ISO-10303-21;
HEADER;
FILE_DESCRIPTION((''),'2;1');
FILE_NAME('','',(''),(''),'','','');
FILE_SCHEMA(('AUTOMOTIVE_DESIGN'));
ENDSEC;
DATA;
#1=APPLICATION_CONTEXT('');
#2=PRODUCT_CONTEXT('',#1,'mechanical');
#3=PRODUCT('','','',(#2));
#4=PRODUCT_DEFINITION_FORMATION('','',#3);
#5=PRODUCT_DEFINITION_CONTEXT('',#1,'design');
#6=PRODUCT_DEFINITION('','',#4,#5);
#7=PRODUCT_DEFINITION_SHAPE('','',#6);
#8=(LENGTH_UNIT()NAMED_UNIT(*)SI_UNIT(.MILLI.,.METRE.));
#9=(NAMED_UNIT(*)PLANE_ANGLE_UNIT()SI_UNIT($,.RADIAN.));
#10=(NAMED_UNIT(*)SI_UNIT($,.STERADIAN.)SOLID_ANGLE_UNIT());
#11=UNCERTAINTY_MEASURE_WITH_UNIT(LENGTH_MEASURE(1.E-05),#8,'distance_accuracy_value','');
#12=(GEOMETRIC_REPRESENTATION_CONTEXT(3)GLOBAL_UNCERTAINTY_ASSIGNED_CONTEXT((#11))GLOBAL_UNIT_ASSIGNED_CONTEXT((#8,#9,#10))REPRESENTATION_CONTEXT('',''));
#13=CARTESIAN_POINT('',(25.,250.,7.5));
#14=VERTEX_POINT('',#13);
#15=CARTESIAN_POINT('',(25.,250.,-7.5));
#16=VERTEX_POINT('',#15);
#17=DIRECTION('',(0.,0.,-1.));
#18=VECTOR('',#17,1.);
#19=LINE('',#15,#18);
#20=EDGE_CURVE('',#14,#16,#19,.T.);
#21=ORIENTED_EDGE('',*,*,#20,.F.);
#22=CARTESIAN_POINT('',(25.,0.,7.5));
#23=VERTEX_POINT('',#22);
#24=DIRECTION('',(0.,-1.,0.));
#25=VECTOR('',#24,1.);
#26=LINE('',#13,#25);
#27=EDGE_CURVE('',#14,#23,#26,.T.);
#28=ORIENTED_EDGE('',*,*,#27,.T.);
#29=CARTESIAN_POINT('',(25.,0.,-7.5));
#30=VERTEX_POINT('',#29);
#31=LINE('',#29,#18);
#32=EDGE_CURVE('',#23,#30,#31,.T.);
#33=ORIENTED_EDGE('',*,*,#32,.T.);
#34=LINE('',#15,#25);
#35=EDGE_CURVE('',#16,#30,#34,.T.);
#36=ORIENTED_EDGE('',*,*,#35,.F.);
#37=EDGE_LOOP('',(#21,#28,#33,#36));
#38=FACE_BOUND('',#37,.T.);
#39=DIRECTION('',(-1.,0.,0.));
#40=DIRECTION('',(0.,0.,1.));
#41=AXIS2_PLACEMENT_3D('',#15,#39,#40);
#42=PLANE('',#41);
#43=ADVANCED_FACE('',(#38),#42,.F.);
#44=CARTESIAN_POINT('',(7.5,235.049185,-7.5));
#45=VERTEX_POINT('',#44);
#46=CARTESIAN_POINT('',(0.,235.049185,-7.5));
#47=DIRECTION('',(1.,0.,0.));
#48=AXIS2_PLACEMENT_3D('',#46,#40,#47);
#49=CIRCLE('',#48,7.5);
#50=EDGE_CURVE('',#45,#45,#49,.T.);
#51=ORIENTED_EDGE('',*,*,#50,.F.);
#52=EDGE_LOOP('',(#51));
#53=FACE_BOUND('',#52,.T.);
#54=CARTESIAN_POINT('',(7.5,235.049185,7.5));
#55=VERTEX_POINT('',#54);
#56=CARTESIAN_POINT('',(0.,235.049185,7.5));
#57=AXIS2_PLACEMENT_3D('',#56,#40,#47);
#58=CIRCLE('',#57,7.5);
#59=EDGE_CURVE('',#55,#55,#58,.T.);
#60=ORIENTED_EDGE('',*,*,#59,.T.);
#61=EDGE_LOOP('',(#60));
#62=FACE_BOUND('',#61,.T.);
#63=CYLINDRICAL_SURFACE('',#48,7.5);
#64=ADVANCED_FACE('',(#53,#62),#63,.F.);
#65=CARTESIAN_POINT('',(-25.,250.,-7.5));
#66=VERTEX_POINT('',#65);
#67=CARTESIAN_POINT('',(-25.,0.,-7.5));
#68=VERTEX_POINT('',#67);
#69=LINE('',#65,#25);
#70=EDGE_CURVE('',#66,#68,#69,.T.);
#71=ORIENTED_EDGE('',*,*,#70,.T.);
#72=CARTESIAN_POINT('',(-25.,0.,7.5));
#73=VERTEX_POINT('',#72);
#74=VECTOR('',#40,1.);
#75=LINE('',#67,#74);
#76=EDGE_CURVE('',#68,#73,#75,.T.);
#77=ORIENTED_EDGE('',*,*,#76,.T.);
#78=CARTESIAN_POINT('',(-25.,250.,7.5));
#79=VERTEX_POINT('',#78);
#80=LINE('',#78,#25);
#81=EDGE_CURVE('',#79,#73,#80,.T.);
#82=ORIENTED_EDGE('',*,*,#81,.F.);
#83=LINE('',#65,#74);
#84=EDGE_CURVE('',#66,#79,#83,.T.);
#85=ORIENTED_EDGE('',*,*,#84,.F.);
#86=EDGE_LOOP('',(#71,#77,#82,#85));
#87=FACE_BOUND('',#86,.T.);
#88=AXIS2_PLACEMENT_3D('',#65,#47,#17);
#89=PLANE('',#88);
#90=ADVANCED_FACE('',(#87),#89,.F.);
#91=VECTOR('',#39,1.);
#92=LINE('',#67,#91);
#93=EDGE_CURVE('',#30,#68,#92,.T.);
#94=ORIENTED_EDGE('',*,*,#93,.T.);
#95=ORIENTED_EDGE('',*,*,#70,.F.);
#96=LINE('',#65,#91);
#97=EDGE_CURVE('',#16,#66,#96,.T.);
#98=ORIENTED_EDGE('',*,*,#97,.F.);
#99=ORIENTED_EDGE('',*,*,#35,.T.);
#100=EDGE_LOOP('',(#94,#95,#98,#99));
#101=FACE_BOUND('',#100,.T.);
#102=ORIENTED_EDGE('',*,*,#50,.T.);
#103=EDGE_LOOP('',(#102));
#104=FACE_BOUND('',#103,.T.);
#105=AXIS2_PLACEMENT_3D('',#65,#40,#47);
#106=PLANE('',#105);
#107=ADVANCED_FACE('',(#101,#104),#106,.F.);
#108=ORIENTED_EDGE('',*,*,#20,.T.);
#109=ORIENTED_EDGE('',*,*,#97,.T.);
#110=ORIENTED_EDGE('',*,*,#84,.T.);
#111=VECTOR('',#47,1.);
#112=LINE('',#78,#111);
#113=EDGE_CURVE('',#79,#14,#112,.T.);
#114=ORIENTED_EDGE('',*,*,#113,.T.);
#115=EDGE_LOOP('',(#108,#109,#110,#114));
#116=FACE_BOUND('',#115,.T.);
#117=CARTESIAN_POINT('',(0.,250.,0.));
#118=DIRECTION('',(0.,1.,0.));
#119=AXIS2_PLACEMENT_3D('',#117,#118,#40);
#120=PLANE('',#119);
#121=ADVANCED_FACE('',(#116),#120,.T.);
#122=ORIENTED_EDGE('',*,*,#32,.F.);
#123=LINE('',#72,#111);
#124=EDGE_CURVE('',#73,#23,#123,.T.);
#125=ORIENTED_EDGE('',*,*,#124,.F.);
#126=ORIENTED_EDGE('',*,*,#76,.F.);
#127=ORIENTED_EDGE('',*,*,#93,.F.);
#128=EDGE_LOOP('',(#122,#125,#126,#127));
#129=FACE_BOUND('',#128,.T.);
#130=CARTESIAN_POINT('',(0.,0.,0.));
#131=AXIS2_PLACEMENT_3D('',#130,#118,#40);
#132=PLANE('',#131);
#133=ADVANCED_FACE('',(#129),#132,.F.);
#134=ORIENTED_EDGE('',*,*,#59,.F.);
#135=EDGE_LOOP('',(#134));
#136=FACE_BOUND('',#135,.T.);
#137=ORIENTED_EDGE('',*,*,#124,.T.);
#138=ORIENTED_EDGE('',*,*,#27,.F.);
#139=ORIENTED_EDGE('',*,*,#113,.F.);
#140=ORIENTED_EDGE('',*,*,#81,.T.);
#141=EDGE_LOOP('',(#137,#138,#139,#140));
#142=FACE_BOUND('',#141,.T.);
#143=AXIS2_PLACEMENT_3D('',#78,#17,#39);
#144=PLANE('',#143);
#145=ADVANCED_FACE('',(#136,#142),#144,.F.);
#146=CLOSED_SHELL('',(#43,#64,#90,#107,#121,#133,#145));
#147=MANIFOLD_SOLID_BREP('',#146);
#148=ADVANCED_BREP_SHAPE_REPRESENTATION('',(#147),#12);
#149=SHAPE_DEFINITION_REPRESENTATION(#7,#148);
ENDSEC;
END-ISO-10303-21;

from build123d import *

# Parameters (mm, degrees)
SKETCH1_W           = 50
SKETCH1_H           = 15
BOSS_EXTRUDE1_DEPTH = 250
SKETCH2_R           = 7.5
CUT_EXTRUDE2_DEPTH  = 16


with BuildPart() as part:
    # Sketch1 → Boss-Extrude1 (new body)
    with BuildSketch(Plane(origin=(0, 0, 0), x_dir=(1, 0, 0), z_dir=(0, 1, 0))):
        Rectangle(SKETCH1_W, SKETCH1_H)
    extrude(amount=BOSS_EXTRUDE1_DEPTH)

    # Sketch2 → Cut-Extrude2 (cut, through all)
    with BuildSketch(Plane.XY.offset(7.5)):
        with Locations((0, 235.049185274)):
            Circle(SKETCH2_R)
    extrude(amount=-CUT_EXTRUDE2_DEPTH, mode=Mode.SUBTRACT)


solid = part.part
